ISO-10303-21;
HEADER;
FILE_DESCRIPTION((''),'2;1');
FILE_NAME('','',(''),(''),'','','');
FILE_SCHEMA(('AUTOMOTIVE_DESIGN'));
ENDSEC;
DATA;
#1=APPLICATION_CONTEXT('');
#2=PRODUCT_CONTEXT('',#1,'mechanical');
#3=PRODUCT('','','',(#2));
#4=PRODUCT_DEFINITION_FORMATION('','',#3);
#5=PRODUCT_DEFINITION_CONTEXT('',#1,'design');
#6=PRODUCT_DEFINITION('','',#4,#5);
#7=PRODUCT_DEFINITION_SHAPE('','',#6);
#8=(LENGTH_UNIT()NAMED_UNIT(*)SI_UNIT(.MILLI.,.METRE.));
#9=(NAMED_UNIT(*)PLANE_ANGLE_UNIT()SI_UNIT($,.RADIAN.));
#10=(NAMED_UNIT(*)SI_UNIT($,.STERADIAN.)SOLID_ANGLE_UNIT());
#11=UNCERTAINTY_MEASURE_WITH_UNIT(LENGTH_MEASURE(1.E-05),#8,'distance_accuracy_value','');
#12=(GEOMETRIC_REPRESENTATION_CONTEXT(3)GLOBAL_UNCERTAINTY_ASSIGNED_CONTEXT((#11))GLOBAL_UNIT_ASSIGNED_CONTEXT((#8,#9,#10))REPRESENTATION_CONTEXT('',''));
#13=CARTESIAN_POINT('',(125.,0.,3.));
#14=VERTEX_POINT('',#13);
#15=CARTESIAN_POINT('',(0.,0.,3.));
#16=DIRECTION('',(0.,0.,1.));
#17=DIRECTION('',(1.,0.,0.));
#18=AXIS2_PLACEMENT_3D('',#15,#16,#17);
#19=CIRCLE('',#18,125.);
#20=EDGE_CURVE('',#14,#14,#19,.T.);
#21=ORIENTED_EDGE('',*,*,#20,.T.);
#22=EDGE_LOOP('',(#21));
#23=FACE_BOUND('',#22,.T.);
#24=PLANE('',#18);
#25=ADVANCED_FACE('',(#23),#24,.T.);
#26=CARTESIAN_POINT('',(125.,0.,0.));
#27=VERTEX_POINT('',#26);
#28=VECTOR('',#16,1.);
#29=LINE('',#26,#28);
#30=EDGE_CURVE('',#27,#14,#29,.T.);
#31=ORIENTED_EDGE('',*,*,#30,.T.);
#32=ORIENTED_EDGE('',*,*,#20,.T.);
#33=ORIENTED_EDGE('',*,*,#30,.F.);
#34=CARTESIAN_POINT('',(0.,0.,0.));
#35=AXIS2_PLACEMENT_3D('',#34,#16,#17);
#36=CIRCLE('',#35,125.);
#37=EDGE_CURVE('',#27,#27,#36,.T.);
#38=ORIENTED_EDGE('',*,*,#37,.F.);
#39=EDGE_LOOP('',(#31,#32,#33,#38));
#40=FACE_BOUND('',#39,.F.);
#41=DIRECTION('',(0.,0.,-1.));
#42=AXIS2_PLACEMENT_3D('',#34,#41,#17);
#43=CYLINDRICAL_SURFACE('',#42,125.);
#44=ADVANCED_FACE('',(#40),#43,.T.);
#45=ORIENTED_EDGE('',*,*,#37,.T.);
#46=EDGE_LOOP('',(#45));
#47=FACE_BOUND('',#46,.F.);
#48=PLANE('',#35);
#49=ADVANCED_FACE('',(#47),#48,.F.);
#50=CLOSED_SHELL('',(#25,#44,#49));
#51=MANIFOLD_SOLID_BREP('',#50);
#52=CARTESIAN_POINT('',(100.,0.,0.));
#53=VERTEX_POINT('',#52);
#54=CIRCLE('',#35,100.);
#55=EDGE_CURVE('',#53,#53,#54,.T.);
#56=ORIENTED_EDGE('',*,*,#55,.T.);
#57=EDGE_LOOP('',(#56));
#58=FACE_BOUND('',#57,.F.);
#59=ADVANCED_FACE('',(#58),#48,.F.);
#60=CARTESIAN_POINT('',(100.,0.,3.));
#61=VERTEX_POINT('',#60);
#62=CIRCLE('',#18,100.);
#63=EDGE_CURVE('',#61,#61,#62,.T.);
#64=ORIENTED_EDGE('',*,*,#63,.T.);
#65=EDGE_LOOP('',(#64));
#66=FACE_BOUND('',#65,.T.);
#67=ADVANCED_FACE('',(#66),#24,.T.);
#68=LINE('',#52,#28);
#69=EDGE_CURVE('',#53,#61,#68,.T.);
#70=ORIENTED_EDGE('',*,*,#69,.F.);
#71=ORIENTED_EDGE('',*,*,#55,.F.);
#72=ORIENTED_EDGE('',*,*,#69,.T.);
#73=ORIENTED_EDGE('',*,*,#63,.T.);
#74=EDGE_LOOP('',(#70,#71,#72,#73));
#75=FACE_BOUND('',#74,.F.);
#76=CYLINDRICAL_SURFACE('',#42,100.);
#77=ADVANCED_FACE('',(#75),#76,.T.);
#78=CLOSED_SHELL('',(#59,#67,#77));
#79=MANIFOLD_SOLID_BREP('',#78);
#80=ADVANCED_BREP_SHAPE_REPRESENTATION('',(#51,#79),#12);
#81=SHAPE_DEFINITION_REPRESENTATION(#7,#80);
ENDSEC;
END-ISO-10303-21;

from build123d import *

# Parameters (mm, degrees)
F0_R     = 125
F0_R_2   = 100
F0_R_3   = 90
F1_DEPTH = 3
F2_DEPTH = 3


with BuildPart() as f1:
    # F0 (on Top) → F1 (new body)
    with BuildSketch(Plane.XY):
        Circle(F0_R)
        Circle(F0_R_2, mode=Mode.SUBTRACT)
        Circle(F0_R_2)
        Circle(F0_R_3, mode=Mode.SUBTRACT)
        Circle(F0_R_3)
    extrude(amount=F1_DEPTH)


with BuildPart() as f2:
    # F0 (on Top) → F2 (new body)
    with BuildSketch(Plane.XY):
        Circle(F0_R_2)
        Circle(F0_R_3, mode=Mode.SUBTRACT)
        Circle(F0_R_3)
    extrude(amount=F2_DEPTH)


solid = Compound([f1.part, f2.part])
